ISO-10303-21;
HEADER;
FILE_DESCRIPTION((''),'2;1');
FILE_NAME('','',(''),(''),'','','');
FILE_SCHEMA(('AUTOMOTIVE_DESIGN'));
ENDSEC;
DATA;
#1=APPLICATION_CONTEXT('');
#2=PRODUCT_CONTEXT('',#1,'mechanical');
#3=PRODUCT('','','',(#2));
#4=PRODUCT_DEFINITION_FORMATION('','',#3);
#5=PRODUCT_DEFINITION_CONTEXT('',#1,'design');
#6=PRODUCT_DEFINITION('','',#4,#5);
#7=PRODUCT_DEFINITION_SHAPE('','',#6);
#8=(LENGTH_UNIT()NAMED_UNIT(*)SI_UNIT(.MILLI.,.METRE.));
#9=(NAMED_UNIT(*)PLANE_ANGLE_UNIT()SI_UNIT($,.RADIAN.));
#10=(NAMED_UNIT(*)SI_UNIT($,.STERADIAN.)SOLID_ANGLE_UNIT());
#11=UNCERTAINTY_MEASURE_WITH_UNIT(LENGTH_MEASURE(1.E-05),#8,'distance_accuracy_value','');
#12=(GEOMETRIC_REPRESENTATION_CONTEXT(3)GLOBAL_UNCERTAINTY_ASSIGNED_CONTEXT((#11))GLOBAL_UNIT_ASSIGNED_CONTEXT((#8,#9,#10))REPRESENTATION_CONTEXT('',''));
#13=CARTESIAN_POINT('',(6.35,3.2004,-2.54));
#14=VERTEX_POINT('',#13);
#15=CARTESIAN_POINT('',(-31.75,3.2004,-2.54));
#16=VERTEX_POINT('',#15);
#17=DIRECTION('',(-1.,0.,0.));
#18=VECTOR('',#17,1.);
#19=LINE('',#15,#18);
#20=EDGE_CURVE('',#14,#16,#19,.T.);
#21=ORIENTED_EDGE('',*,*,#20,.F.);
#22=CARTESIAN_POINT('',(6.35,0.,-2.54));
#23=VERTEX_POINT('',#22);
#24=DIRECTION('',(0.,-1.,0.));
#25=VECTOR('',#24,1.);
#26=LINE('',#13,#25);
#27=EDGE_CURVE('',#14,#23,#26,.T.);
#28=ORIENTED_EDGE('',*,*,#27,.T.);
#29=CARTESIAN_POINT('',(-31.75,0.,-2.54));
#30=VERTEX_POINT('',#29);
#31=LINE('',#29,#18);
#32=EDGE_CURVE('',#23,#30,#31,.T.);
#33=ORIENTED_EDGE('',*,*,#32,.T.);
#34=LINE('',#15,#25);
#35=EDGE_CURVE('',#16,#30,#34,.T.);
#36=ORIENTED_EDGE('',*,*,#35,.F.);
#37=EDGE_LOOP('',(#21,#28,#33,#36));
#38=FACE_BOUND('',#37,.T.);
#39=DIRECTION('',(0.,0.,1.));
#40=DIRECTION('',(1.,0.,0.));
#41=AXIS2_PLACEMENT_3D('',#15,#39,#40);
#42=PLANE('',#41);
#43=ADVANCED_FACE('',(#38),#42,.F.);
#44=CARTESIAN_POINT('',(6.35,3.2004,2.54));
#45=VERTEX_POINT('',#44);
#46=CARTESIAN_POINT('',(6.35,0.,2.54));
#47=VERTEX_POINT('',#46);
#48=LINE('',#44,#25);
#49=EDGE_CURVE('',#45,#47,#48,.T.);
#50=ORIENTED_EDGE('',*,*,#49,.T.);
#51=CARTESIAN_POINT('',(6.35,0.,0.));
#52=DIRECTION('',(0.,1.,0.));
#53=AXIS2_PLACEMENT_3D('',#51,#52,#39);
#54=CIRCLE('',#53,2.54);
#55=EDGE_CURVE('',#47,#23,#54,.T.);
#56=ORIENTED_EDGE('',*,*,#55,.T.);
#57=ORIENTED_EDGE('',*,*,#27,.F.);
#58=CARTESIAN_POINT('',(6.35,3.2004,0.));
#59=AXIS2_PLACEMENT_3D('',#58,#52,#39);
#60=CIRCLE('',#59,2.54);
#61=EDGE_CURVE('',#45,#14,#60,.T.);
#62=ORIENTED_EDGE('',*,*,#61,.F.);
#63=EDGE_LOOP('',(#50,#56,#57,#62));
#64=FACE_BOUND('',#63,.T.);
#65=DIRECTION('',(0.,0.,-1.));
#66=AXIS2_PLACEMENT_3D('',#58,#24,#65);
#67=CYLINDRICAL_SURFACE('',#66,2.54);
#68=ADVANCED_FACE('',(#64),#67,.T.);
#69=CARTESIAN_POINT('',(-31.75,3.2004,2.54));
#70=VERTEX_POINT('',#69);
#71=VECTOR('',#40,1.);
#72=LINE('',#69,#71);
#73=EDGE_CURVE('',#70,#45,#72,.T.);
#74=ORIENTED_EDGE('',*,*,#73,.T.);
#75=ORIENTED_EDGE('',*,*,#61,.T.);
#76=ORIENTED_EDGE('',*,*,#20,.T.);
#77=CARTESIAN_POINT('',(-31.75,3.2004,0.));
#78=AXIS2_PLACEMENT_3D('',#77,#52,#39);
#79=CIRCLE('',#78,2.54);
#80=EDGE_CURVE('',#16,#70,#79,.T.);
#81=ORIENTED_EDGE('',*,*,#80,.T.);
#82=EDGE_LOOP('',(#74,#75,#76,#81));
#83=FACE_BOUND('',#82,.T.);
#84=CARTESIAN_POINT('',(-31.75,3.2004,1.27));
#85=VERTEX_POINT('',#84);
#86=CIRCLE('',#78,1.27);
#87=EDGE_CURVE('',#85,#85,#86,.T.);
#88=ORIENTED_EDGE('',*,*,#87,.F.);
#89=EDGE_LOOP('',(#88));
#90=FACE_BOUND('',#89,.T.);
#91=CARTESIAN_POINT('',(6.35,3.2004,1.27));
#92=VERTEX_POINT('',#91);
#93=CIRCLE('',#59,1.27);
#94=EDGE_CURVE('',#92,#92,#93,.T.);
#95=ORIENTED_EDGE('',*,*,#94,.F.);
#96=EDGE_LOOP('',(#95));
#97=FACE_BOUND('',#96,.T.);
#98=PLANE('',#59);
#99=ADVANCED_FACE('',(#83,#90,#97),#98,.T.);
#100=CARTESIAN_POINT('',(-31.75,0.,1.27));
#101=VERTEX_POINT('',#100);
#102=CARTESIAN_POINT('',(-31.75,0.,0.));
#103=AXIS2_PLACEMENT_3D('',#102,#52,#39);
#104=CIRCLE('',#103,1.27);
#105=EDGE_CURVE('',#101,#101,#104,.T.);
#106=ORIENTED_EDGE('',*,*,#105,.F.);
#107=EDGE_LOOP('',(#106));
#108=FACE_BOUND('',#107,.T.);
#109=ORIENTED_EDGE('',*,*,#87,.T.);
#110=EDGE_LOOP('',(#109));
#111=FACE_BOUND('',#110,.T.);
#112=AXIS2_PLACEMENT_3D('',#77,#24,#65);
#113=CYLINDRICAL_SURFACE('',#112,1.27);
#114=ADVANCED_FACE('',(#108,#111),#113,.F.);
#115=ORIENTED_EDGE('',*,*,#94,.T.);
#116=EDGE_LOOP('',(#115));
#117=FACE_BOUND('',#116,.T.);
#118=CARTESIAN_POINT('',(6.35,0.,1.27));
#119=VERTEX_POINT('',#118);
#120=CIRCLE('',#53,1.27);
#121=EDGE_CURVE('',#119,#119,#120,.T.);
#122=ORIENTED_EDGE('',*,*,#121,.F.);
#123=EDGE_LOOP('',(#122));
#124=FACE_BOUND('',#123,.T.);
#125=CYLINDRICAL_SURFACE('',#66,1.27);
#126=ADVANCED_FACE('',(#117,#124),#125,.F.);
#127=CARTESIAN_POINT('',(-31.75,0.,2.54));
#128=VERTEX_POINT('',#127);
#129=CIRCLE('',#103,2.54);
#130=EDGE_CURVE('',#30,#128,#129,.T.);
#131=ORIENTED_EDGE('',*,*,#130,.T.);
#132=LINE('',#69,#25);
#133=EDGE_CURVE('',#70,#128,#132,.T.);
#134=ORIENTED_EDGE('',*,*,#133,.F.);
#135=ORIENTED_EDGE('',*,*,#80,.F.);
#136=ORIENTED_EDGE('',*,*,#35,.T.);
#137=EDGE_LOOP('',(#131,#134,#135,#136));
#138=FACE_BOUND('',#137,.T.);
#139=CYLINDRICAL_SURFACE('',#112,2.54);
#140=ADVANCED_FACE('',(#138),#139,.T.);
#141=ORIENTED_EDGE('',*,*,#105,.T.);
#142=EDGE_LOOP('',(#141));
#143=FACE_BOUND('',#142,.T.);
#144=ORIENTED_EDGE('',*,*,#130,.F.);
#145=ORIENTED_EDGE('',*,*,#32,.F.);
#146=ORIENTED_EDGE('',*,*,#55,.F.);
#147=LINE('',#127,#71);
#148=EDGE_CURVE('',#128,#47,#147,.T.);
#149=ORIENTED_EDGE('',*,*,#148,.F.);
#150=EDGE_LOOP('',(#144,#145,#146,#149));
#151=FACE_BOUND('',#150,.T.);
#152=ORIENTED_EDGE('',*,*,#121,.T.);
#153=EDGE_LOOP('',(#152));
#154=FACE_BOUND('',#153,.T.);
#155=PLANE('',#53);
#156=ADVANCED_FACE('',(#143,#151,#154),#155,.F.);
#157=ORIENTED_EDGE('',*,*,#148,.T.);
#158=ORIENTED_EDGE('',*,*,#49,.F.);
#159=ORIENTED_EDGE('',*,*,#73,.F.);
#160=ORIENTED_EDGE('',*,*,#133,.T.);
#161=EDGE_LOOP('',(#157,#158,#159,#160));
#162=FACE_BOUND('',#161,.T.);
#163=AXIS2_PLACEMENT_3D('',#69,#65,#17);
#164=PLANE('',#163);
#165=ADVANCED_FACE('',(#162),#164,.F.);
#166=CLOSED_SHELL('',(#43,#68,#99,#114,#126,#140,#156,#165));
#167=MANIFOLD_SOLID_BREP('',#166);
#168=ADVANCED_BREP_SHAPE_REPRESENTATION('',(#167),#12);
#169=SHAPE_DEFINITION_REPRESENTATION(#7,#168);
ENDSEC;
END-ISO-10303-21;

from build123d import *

# Parameters (mm, degrees)
SKETCH1_R           = 1.27
BOSS_EXTRUDE1_DEPTH = 3.2004


with BuildPart() as part:
    # Sketch1 → Boss-Extrude1 (new body)
    with BuildSketch(Plane(origin=(0, 0, 0), x_dir=(1, 0, 0), z_dir=(0, 1, 0))):
        with BuildLine():
            Line((-31.75, -2.54), (6.35, -2.54))
            ThreePointArc((6.35, -2.54), (8.89, 0), (6.35, 2.54))
            Line((6.35, 2.54), (-31.75, 2.54))
            ThreePointArc((-31.75, 2.54), (-34.29, 0), (-31.75, -2.54))
        make_face()
        with Locations(Location((-31.75, 0, 0), (0, 0, 270))):
            Circle(SKETCH1_R, mode=Mode.SUBTRACT)
        with Locations(Location((6.35, 0, 0), (0, 0, 270))):
            Circle(SKETCH1_R, mode=Mode.SUBTRACT)
    extrude(amount=BOSS_EXTRUDE1_DEPTH)


solid = part.part
